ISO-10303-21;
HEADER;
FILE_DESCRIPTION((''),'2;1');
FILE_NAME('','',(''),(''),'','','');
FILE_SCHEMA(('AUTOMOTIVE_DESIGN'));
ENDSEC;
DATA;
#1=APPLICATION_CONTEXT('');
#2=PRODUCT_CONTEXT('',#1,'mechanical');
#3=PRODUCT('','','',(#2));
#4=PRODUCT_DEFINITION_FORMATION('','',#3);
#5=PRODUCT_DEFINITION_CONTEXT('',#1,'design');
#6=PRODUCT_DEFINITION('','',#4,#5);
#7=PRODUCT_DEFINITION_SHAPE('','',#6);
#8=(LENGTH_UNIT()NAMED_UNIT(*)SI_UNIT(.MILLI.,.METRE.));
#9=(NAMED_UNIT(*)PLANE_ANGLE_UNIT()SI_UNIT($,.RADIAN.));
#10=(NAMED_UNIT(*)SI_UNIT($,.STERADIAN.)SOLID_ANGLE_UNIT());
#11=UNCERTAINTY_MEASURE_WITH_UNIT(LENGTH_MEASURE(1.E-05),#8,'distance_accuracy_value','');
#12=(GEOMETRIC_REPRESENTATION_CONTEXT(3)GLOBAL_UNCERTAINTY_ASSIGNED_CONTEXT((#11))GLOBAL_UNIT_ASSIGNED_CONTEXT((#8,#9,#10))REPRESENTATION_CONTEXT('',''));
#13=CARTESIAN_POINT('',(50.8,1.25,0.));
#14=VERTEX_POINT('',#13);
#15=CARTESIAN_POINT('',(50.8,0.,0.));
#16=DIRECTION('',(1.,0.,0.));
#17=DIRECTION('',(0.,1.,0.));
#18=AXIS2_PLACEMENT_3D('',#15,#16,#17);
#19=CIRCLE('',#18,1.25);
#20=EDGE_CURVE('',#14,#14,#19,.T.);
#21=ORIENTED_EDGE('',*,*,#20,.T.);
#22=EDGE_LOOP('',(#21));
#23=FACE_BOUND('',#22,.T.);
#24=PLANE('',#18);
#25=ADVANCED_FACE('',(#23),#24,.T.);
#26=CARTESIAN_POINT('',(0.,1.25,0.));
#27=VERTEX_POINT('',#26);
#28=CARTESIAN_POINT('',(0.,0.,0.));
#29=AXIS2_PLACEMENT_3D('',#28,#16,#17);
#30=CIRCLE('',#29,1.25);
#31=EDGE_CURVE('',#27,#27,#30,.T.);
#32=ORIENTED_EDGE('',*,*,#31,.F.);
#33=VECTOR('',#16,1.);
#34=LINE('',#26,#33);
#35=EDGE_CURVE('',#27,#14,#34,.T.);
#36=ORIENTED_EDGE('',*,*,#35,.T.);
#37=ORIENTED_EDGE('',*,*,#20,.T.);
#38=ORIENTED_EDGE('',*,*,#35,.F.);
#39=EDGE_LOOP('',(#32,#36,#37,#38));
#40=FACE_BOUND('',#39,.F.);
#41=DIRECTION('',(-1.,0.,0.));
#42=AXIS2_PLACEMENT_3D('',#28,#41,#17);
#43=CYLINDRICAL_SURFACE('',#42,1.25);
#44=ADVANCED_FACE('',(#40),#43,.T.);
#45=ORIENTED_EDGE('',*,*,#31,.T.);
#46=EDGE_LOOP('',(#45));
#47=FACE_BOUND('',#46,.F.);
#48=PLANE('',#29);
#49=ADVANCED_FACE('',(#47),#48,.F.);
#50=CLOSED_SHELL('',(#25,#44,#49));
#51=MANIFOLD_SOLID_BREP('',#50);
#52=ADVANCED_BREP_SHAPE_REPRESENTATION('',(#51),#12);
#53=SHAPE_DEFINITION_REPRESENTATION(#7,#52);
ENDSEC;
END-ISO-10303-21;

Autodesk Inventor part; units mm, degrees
ref_plane "YZ Plane" through (0, 0, 0) normal (1, 0, 0) x (0, 1, 0)
ref_plane "XZ Plane" through (0, 0, 0) normal (0, 1, 0) x (-1, 0, 0)
ref_plane "XY Plane" through (0, 0, 0) normal (0, 0, 1) x (1, 0, 0)
sketch "Sketch1" plane through (0, 0, 0) normal (1, 0, 0) x (0, 1, 0)
  circle A0 centre (0, 0) radius 1.25
  dimension "d0" = 2.5
extrude "Extrusion1" add sketch "Sketch1" along normal blind 50.8
properties part number "kim_shaft"
